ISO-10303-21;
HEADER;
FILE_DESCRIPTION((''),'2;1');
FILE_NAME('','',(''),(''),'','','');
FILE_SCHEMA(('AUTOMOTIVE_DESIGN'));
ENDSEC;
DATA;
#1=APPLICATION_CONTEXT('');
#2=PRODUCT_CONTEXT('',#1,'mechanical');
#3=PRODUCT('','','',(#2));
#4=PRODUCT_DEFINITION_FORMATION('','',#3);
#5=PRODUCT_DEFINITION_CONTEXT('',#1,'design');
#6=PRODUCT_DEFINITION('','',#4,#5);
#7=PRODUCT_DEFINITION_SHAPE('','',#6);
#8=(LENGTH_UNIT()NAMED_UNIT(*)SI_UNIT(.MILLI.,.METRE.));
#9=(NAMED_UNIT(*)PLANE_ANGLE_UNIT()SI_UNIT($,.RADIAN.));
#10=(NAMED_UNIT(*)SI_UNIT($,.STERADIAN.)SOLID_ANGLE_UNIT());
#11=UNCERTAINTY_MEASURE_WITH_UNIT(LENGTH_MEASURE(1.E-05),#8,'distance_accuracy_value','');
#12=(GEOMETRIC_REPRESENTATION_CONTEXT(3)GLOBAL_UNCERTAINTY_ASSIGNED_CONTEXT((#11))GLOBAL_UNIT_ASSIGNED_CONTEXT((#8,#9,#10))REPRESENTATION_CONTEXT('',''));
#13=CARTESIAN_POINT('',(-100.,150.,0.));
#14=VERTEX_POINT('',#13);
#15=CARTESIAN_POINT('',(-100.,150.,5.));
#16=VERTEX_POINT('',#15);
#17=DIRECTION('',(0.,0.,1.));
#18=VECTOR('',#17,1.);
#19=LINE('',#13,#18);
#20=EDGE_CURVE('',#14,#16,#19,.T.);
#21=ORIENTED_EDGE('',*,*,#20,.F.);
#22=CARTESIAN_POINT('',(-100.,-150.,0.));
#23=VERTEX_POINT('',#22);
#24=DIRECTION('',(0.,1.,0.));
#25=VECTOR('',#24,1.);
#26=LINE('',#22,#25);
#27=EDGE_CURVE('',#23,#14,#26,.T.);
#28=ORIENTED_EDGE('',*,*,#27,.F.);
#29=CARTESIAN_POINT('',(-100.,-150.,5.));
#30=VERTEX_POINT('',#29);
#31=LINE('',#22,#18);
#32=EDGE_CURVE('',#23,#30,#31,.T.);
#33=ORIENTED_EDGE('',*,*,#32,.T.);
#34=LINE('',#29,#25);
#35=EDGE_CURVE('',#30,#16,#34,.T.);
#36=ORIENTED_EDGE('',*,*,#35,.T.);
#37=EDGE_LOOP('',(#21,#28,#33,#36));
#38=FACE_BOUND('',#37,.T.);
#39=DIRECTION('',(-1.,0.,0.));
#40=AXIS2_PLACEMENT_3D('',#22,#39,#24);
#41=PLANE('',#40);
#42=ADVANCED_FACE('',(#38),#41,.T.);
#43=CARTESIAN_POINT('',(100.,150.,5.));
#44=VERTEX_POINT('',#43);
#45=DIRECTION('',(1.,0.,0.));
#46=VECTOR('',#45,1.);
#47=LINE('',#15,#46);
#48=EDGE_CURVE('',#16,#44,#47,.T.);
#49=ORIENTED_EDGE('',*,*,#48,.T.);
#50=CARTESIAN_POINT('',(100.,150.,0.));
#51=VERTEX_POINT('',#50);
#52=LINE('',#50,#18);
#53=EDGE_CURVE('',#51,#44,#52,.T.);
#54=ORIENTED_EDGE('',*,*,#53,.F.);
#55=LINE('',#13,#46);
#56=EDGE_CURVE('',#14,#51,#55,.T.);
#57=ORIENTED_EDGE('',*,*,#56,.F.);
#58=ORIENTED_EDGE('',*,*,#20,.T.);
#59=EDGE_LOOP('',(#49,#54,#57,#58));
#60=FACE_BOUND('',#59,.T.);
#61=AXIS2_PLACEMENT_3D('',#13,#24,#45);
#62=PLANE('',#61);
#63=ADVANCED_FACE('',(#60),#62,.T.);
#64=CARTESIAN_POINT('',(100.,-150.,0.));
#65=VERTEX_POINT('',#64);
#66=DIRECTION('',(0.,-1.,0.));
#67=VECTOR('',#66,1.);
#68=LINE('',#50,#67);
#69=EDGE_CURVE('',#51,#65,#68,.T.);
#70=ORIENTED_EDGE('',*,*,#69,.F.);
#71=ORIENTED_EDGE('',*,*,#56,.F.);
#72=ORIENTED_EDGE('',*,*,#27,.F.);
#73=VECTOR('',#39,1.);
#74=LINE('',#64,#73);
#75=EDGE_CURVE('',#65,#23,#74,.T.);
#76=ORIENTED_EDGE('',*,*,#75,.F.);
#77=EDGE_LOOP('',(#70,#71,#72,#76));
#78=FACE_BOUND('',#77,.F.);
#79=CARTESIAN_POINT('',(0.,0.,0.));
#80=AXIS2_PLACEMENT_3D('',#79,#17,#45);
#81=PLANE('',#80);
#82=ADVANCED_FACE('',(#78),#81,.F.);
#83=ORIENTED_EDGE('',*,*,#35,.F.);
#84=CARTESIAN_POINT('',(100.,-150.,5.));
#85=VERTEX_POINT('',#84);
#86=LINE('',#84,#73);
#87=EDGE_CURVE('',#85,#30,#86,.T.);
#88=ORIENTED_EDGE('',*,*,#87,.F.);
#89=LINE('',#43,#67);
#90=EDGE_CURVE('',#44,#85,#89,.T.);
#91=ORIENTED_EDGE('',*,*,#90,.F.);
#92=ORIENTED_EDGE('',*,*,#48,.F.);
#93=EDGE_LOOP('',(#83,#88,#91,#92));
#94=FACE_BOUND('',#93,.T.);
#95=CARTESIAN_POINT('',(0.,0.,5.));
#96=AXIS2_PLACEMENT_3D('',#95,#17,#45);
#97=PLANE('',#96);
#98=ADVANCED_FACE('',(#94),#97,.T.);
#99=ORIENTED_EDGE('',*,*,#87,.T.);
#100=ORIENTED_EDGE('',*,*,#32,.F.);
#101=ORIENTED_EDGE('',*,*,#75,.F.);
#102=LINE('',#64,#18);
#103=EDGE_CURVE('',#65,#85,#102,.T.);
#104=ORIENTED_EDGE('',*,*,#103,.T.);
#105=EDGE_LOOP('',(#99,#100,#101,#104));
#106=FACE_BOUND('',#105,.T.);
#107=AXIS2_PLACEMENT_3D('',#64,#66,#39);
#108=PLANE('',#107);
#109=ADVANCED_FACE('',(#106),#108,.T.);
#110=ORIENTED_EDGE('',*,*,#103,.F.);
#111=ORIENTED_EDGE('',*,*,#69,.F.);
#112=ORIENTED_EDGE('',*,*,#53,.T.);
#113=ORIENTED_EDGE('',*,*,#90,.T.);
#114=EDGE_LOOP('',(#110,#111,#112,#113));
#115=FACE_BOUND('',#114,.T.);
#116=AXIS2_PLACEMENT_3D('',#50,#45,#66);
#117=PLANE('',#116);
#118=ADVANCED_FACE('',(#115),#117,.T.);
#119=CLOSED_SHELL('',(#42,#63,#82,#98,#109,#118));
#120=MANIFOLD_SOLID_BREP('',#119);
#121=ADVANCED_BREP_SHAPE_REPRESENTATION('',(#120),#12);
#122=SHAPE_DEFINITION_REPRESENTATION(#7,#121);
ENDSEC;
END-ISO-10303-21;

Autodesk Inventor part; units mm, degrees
ref_plane "YZ Plane" through (0, 0, 0) normal (1, 0, 0) x (0, 1, 0)
ref_plane "XZ Plane" through (0, 0, 0) normal (0, 1, 0) x (-1, 0, 0)
ref_plane "XY Plane" through (0, 0, 0) normal (0, 0, 1) x (1, 0, 0)
sketch "スケッチ1" plane through (0, 0, 0) normal (0, 0, 1) x (1, 0, 0)
  line L0 (-100, 150) -> (100, 150)
  line L1 (100, 150) -> (100, -150)
  line L2 (100, -150) -> (-100, -150)
  line L3 (-100, -150) -> (-100, 150)
  point P0 (0, 0)
  dimension "d0" = 200
  dimension "d1" = 100
  dimension "d2" = 300
  dimension "d3" = 150
extrude "押し出し1" add sketch "スケッチ1" along normal blind 5
equation "\"d1\" = 0.5 * d0"
equation "\"d3\" = 0.5 * d2"
properties part number "CNC"
